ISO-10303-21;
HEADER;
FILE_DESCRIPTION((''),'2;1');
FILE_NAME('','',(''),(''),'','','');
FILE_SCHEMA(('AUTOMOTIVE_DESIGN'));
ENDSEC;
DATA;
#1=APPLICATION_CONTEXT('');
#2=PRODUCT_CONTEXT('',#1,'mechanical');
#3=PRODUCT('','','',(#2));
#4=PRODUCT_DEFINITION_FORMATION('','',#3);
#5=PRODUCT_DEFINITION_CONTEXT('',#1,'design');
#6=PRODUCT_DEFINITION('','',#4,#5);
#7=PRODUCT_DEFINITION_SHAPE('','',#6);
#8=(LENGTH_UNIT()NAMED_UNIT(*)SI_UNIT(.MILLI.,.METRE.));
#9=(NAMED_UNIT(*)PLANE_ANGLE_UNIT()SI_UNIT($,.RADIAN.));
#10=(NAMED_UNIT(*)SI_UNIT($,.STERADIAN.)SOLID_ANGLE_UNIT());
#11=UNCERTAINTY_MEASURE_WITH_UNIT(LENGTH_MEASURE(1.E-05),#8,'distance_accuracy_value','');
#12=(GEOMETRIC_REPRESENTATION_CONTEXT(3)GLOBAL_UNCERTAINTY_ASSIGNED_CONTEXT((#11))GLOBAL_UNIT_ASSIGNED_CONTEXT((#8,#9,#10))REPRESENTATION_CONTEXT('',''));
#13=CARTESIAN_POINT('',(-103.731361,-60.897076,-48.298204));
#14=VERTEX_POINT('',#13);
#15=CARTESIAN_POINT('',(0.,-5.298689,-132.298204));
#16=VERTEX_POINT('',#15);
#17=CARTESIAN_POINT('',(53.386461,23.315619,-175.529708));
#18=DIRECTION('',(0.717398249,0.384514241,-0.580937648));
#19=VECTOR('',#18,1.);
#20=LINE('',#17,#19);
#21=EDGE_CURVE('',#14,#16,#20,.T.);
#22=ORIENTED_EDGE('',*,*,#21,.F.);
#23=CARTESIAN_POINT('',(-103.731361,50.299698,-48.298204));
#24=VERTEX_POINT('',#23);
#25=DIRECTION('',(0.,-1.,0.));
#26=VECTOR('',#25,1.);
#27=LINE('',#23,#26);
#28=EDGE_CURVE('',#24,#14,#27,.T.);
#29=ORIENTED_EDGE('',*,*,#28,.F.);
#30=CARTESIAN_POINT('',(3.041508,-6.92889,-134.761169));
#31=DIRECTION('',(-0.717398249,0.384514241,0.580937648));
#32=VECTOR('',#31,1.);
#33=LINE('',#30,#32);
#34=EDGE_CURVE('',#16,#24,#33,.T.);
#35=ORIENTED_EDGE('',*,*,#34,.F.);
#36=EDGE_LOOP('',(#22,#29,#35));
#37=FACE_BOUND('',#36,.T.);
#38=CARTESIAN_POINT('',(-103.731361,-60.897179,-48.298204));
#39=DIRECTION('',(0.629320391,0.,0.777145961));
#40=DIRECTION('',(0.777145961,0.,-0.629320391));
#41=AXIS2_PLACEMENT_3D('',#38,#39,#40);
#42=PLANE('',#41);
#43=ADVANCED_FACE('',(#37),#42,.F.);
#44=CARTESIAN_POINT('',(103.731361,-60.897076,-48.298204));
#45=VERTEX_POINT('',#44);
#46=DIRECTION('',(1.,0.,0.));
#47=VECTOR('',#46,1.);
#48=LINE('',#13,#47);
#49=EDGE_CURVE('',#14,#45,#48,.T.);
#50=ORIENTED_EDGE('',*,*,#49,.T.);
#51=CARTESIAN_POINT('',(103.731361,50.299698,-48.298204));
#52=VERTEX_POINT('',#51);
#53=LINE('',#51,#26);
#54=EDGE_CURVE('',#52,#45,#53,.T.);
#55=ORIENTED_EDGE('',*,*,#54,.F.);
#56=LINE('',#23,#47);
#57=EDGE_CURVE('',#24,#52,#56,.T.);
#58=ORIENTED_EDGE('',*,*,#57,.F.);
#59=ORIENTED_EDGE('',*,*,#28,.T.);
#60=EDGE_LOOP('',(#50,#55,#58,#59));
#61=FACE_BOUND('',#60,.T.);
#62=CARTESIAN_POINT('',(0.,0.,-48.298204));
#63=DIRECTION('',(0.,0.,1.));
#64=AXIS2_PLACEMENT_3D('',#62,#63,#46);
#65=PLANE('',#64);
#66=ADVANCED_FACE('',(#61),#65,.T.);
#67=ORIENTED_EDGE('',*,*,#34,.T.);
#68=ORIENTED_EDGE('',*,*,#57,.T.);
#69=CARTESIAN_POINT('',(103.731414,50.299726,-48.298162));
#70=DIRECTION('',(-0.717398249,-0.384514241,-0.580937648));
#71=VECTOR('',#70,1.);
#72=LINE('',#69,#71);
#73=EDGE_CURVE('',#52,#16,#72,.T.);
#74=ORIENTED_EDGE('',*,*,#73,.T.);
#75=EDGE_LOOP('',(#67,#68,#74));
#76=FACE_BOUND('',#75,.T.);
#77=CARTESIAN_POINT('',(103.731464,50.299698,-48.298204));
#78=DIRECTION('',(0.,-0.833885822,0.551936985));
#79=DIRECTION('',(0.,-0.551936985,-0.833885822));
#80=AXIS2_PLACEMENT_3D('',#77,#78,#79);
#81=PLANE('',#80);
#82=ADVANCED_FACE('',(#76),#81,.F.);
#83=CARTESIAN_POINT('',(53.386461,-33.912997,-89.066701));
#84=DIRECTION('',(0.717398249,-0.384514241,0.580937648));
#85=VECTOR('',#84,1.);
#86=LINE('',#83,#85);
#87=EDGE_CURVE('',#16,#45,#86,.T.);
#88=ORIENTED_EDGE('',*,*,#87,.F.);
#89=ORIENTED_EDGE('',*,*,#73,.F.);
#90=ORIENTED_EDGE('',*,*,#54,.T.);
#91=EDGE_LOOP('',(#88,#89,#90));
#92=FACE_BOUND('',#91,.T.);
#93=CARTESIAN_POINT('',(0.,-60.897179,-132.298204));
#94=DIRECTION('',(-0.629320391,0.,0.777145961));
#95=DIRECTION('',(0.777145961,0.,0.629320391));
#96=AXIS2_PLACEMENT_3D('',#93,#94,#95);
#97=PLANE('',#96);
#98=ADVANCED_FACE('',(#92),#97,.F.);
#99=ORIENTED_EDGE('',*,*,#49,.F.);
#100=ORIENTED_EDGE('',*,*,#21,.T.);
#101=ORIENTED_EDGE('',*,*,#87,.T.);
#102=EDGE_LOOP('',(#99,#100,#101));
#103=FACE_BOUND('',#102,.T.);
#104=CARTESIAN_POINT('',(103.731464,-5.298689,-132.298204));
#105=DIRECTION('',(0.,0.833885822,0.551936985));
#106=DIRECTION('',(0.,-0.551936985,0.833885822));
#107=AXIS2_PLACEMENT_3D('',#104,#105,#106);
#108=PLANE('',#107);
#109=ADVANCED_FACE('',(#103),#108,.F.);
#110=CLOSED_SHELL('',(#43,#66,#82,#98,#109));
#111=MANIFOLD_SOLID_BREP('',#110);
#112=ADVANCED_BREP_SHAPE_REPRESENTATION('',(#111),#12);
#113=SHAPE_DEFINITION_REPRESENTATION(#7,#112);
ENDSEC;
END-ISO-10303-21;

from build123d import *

# Parameters (mm, degrees)
BOSS_EXTRUDE1_DEPTH = 90.101349
CUT_EXTRUDE3_DEPTH  = 257.717103907
CUT_EXTRUDE4_DEPTH  = 202.563222837


with BuildPart() as part:
    # 3DSketch1 → Boss-Extrude1 (new body)
    with BuildSketch(Plane(origin=(-103.731361149, 50.299698024, -48.298204463), x_dir=(0.8813808665660824, -0.4724063590291962, 0), z_dir=(0, 0, 1))):
        Polygon((0, 0), (182.853673959, 98.006709275), (235.383737233, 0), (52.530063274, -98.006709275), align=None)
    extrude(amount=-BOSS_EXTRUDE1_DEPTH)

    # Sketch3 → Cut-Extrude3 (cut, through all)
    with BuildSketch(Plane.ZY.offset(103.731361149)):
        Polygon((-48.298204463, 50.299698024), (-132.298204463, -5.298689116), (-48.298204463, -60.897076257), (-138.399553935, -60.897076257), (-138.399553935, 50.299698024), align=None)
    extrude(amount=-CUT_EXTRUDE3_DEPTH, mode=Mode.SUBTRACT)

    # Sketch2 → Cut-Extrude4 (cut, through all)
    with BuildSketch(Plane(origin=(0, 50.299698024, 0), x_dir=(1, 0, 0), z_dir=(0, 1, 0))):
        Polygon((-103.731361149, 48.298204463), (0, 132.298204463), (103.731361149, 48.298204463), (103.731361149, 138.399553935), (-103.731361149, 138.399553935), align=None)
    extrude(amount=-CUT_EXTRUDE4_DEPTH, mode=Mode.SUBTRACT)


solid = part.part
